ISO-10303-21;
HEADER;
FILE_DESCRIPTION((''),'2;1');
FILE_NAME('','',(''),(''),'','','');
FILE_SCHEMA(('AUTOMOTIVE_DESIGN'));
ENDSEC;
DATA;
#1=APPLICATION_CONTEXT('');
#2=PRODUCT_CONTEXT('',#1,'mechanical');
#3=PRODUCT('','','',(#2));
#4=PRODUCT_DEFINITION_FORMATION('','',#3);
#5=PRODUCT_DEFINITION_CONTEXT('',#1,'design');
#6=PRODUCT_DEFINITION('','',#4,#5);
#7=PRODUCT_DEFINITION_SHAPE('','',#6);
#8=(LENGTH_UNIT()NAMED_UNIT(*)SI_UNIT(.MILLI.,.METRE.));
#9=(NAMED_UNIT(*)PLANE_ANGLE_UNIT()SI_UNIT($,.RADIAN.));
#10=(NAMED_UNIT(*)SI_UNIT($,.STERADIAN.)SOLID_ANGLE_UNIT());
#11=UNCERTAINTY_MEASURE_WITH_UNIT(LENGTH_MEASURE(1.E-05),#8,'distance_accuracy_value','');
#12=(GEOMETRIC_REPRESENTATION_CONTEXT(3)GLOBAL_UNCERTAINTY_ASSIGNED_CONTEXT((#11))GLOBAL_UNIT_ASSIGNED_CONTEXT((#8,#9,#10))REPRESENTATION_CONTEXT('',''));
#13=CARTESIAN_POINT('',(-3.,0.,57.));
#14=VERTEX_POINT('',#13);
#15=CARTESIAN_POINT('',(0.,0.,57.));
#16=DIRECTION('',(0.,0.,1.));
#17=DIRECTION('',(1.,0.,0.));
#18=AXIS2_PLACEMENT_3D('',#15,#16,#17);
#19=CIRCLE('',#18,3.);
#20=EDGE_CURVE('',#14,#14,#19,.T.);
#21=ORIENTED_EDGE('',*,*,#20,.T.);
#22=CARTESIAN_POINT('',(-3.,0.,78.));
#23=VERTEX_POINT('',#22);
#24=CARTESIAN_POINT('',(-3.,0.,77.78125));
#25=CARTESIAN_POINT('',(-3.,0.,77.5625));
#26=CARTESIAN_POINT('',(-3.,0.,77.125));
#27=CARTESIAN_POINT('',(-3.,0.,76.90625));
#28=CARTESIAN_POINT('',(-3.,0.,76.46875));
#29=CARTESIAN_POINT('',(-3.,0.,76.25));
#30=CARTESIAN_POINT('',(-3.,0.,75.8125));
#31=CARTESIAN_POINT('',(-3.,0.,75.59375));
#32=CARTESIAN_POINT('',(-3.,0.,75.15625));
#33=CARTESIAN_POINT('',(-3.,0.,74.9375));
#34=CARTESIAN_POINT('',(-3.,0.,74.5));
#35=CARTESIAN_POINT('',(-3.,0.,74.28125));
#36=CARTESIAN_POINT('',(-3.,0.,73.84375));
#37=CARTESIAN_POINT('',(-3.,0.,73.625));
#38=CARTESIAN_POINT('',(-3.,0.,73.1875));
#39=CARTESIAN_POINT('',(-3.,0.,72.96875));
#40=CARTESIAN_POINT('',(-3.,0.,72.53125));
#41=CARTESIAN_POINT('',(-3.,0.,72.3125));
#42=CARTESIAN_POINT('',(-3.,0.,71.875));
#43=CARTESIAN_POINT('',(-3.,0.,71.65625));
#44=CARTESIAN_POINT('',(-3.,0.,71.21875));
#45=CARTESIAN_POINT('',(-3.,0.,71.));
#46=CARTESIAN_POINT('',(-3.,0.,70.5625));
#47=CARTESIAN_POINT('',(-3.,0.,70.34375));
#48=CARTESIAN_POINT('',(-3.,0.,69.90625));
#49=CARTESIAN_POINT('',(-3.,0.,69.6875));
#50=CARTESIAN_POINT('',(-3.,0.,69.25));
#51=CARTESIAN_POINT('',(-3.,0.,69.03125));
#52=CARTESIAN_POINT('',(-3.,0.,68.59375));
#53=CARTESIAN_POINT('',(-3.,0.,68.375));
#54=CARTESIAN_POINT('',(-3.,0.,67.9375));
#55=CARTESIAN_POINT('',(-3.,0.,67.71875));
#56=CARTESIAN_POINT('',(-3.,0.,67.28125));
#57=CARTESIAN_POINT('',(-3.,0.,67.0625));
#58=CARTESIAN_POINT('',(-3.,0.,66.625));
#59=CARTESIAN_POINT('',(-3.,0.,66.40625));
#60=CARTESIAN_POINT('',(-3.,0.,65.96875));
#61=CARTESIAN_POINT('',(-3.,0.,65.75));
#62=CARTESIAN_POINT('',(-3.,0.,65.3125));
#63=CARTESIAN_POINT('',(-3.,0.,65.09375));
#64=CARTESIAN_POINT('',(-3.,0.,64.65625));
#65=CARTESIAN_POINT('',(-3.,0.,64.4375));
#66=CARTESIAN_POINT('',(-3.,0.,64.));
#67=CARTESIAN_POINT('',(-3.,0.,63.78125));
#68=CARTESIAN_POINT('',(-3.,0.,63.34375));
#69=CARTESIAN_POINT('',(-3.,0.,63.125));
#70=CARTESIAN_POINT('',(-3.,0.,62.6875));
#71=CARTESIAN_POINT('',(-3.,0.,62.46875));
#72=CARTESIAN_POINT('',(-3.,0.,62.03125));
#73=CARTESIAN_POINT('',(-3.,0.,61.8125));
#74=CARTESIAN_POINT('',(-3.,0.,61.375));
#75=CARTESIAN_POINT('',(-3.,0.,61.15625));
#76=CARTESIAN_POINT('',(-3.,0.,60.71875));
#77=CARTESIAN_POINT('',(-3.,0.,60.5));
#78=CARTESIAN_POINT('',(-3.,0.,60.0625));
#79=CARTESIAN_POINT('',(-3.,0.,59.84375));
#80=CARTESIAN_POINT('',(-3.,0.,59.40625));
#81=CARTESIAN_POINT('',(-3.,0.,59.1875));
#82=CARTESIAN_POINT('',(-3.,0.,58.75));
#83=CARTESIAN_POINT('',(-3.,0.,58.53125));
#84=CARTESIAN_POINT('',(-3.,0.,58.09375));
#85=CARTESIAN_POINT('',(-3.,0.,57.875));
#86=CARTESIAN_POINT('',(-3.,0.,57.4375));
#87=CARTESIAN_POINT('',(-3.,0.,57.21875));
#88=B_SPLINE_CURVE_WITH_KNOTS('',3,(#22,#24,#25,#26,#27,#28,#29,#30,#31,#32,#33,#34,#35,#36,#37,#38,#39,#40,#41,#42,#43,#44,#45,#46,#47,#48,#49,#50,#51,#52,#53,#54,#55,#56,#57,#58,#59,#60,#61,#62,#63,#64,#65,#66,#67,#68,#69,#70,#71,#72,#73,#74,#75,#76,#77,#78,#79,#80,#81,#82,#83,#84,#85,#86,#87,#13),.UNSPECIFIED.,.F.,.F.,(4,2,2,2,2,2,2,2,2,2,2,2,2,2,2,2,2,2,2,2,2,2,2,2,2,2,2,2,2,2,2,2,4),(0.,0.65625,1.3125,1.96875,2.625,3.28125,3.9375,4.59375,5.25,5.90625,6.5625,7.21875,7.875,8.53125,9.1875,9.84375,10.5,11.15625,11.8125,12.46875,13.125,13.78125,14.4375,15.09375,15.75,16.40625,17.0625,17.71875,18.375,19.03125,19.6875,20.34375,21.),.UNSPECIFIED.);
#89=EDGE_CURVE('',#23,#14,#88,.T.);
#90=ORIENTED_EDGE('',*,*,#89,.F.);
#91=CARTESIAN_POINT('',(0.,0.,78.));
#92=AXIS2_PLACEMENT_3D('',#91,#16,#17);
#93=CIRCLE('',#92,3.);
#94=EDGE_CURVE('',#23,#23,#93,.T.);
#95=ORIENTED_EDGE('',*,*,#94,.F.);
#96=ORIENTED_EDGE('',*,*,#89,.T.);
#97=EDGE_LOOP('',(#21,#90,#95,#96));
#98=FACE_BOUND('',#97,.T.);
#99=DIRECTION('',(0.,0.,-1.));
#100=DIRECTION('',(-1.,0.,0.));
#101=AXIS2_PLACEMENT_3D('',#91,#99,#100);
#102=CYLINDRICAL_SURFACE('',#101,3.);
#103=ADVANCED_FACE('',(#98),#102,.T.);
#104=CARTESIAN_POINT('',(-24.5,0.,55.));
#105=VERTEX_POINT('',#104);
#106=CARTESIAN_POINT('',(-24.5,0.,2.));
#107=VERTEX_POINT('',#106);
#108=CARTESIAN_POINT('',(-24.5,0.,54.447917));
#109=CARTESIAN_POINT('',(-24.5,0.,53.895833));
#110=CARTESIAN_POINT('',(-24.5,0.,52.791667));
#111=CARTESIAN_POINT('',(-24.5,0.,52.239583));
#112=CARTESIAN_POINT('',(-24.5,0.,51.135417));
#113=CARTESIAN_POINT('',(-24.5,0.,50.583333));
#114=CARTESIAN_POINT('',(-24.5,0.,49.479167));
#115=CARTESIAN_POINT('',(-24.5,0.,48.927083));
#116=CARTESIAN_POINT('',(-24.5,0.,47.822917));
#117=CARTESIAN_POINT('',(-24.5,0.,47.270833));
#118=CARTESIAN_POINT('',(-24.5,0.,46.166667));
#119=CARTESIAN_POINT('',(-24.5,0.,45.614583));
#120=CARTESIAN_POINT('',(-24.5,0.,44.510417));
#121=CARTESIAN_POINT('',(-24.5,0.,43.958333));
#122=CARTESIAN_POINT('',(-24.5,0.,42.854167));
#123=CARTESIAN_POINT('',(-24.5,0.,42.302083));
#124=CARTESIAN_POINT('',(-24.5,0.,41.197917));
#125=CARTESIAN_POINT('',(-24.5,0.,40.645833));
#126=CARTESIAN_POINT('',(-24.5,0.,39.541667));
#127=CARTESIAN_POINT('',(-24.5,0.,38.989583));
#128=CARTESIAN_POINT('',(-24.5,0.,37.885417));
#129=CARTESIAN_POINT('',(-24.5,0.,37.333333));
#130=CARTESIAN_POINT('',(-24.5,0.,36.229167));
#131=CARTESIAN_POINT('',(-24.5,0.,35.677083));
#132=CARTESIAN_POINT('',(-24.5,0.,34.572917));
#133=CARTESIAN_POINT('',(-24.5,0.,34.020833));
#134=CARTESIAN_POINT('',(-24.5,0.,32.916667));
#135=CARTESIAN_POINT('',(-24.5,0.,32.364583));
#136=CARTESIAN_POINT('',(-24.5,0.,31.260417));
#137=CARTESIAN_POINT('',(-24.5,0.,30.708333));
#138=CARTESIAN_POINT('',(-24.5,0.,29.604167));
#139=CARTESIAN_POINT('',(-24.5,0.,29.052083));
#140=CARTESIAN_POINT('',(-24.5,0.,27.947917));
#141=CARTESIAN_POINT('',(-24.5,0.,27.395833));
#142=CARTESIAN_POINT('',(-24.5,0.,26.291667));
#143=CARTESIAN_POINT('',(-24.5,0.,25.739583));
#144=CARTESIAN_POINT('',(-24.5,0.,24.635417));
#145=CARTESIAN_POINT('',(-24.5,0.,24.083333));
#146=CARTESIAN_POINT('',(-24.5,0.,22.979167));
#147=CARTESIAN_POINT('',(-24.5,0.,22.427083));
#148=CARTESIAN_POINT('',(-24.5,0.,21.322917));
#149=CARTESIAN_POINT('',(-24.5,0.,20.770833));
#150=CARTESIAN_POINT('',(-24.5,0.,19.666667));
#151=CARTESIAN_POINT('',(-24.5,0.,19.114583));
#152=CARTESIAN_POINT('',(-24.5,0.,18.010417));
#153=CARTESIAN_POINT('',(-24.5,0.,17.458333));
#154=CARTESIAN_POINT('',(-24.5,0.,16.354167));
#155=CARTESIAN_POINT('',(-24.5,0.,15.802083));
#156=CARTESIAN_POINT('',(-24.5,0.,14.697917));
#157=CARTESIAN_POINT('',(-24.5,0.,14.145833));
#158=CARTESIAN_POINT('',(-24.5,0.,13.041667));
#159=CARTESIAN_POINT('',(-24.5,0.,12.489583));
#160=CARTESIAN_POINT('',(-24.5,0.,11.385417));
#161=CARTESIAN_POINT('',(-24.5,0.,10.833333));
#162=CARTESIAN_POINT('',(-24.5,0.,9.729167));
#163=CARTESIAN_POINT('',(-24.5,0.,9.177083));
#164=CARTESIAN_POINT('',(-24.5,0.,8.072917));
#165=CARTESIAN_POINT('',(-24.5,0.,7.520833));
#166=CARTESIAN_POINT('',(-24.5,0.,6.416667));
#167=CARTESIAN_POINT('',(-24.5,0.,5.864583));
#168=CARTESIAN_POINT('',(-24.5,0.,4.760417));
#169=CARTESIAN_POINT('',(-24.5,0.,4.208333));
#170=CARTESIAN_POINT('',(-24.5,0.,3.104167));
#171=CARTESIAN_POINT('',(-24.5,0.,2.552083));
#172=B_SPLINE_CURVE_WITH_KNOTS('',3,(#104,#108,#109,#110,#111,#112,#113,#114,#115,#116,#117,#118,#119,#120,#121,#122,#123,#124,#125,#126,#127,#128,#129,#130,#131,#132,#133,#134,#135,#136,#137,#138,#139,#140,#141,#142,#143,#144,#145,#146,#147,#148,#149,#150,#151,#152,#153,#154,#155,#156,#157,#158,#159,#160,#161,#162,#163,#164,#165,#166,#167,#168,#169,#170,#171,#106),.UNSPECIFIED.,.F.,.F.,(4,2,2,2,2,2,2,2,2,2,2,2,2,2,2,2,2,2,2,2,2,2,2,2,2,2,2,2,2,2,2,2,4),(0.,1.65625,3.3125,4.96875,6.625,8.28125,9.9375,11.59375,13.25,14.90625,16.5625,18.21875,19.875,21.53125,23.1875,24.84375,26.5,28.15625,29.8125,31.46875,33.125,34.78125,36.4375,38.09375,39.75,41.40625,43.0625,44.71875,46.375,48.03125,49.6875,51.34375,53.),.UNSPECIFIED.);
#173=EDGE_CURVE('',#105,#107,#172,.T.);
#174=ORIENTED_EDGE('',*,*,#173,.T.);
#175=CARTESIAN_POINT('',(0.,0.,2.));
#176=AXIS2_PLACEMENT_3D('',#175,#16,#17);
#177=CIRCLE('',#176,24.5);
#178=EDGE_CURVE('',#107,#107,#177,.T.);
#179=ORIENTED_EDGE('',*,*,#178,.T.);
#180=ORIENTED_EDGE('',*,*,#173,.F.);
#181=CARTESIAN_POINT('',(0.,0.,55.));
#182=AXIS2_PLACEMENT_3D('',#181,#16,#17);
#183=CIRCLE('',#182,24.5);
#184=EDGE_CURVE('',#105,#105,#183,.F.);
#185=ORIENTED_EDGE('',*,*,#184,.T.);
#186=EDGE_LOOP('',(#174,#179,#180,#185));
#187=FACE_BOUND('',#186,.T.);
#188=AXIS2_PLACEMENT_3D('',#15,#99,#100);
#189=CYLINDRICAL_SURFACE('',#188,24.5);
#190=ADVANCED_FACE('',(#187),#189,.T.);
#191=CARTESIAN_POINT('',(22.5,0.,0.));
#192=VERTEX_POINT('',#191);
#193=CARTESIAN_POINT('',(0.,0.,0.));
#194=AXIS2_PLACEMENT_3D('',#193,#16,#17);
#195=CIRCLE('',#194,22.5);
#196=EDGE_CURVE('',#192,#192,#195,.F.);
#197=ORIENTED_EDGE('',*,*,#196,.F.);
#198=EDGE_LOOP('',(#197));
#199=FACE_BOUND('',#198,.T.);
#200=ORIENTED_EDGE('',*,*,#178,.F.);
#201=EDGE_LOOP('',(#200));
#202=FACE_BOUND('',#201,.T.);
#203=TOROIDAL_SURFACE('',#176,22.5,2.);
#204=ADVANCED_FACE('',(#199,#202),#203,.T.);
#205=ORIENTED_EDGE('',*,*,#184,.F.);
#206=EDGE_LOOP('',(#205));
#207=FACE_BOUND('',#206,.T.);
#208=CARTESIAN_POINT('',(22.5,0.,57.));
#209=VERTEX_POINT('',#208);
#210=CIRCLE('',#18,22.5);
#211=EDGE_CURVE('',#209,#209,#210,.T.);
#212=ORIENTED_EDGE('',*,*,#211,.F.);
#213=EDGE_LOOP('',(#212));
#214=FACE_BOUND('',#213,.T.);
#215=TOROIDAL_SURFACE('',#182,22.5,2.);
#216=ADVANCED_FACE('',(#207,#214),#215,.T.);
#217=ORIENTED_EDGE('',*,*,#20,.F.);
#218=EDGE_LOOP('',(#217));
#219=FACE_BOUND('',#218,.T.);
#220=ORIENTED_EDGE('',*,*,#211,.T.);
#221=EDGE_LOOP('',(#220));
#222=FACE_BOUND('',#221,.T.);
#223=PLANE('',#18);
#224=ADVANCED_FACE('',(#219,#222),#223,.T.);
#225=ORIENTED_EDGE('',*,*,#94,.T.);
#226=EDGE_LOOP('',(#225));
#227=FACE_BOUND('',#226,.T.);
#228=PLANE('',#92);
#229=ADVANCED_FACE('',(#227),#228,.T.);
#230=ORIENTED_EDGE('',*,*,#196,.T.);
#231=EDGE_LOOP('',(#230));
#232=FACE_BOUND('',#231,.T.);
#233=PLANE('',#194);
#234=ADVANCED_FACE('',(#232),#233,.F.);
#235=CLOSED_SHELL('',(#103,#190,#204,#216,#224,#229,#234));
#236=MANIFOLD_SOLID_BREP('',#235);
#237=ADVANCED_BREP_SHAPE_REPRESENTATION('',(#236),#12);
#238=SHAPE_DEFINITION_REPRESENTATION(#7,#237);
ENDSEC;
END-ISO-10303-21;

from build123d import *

# Parameters (mm, degrees)
SKETCH1_R           = 24.5
BOSS_EXTRUDE1_DEPTH = 57
SKETCH2_R           = 3
BOSS_EXTRUDE2_DEPTH = 21
FILLET1_R           = 2


with BuildPart() as part:
    # Sketch1 → Boss-Extrude1 (new body)
    with BuildSketch(Plane.XY):
        with Locations(Location((0, 0, 0), (0, 0, 180))):
            Circle(SKETCH1_R)
    extrude(amount=BOSS_EXTRUDE1_DEPTH)

    # Sketch2 → Boss-Extrude2 (add)
    with BuildSketch(Plane.XY.offset(57)):
        with Locations(Location((0, 0, 0), (0, 0, 180))):
            Circle(SKETCH2_R)
    extrude(amount=BOSS_EXTRUDE2_DEPTH)

    # Fillet1
    fillet1_edges = [part.edges().sort_by_distance(p)[0] for p in [
        (24.5, 0, 0),
        (24.5, 0, 57),
    ]]
    fillet(fillet1_edges, radius=FILLET1_R)


solid = part.part
